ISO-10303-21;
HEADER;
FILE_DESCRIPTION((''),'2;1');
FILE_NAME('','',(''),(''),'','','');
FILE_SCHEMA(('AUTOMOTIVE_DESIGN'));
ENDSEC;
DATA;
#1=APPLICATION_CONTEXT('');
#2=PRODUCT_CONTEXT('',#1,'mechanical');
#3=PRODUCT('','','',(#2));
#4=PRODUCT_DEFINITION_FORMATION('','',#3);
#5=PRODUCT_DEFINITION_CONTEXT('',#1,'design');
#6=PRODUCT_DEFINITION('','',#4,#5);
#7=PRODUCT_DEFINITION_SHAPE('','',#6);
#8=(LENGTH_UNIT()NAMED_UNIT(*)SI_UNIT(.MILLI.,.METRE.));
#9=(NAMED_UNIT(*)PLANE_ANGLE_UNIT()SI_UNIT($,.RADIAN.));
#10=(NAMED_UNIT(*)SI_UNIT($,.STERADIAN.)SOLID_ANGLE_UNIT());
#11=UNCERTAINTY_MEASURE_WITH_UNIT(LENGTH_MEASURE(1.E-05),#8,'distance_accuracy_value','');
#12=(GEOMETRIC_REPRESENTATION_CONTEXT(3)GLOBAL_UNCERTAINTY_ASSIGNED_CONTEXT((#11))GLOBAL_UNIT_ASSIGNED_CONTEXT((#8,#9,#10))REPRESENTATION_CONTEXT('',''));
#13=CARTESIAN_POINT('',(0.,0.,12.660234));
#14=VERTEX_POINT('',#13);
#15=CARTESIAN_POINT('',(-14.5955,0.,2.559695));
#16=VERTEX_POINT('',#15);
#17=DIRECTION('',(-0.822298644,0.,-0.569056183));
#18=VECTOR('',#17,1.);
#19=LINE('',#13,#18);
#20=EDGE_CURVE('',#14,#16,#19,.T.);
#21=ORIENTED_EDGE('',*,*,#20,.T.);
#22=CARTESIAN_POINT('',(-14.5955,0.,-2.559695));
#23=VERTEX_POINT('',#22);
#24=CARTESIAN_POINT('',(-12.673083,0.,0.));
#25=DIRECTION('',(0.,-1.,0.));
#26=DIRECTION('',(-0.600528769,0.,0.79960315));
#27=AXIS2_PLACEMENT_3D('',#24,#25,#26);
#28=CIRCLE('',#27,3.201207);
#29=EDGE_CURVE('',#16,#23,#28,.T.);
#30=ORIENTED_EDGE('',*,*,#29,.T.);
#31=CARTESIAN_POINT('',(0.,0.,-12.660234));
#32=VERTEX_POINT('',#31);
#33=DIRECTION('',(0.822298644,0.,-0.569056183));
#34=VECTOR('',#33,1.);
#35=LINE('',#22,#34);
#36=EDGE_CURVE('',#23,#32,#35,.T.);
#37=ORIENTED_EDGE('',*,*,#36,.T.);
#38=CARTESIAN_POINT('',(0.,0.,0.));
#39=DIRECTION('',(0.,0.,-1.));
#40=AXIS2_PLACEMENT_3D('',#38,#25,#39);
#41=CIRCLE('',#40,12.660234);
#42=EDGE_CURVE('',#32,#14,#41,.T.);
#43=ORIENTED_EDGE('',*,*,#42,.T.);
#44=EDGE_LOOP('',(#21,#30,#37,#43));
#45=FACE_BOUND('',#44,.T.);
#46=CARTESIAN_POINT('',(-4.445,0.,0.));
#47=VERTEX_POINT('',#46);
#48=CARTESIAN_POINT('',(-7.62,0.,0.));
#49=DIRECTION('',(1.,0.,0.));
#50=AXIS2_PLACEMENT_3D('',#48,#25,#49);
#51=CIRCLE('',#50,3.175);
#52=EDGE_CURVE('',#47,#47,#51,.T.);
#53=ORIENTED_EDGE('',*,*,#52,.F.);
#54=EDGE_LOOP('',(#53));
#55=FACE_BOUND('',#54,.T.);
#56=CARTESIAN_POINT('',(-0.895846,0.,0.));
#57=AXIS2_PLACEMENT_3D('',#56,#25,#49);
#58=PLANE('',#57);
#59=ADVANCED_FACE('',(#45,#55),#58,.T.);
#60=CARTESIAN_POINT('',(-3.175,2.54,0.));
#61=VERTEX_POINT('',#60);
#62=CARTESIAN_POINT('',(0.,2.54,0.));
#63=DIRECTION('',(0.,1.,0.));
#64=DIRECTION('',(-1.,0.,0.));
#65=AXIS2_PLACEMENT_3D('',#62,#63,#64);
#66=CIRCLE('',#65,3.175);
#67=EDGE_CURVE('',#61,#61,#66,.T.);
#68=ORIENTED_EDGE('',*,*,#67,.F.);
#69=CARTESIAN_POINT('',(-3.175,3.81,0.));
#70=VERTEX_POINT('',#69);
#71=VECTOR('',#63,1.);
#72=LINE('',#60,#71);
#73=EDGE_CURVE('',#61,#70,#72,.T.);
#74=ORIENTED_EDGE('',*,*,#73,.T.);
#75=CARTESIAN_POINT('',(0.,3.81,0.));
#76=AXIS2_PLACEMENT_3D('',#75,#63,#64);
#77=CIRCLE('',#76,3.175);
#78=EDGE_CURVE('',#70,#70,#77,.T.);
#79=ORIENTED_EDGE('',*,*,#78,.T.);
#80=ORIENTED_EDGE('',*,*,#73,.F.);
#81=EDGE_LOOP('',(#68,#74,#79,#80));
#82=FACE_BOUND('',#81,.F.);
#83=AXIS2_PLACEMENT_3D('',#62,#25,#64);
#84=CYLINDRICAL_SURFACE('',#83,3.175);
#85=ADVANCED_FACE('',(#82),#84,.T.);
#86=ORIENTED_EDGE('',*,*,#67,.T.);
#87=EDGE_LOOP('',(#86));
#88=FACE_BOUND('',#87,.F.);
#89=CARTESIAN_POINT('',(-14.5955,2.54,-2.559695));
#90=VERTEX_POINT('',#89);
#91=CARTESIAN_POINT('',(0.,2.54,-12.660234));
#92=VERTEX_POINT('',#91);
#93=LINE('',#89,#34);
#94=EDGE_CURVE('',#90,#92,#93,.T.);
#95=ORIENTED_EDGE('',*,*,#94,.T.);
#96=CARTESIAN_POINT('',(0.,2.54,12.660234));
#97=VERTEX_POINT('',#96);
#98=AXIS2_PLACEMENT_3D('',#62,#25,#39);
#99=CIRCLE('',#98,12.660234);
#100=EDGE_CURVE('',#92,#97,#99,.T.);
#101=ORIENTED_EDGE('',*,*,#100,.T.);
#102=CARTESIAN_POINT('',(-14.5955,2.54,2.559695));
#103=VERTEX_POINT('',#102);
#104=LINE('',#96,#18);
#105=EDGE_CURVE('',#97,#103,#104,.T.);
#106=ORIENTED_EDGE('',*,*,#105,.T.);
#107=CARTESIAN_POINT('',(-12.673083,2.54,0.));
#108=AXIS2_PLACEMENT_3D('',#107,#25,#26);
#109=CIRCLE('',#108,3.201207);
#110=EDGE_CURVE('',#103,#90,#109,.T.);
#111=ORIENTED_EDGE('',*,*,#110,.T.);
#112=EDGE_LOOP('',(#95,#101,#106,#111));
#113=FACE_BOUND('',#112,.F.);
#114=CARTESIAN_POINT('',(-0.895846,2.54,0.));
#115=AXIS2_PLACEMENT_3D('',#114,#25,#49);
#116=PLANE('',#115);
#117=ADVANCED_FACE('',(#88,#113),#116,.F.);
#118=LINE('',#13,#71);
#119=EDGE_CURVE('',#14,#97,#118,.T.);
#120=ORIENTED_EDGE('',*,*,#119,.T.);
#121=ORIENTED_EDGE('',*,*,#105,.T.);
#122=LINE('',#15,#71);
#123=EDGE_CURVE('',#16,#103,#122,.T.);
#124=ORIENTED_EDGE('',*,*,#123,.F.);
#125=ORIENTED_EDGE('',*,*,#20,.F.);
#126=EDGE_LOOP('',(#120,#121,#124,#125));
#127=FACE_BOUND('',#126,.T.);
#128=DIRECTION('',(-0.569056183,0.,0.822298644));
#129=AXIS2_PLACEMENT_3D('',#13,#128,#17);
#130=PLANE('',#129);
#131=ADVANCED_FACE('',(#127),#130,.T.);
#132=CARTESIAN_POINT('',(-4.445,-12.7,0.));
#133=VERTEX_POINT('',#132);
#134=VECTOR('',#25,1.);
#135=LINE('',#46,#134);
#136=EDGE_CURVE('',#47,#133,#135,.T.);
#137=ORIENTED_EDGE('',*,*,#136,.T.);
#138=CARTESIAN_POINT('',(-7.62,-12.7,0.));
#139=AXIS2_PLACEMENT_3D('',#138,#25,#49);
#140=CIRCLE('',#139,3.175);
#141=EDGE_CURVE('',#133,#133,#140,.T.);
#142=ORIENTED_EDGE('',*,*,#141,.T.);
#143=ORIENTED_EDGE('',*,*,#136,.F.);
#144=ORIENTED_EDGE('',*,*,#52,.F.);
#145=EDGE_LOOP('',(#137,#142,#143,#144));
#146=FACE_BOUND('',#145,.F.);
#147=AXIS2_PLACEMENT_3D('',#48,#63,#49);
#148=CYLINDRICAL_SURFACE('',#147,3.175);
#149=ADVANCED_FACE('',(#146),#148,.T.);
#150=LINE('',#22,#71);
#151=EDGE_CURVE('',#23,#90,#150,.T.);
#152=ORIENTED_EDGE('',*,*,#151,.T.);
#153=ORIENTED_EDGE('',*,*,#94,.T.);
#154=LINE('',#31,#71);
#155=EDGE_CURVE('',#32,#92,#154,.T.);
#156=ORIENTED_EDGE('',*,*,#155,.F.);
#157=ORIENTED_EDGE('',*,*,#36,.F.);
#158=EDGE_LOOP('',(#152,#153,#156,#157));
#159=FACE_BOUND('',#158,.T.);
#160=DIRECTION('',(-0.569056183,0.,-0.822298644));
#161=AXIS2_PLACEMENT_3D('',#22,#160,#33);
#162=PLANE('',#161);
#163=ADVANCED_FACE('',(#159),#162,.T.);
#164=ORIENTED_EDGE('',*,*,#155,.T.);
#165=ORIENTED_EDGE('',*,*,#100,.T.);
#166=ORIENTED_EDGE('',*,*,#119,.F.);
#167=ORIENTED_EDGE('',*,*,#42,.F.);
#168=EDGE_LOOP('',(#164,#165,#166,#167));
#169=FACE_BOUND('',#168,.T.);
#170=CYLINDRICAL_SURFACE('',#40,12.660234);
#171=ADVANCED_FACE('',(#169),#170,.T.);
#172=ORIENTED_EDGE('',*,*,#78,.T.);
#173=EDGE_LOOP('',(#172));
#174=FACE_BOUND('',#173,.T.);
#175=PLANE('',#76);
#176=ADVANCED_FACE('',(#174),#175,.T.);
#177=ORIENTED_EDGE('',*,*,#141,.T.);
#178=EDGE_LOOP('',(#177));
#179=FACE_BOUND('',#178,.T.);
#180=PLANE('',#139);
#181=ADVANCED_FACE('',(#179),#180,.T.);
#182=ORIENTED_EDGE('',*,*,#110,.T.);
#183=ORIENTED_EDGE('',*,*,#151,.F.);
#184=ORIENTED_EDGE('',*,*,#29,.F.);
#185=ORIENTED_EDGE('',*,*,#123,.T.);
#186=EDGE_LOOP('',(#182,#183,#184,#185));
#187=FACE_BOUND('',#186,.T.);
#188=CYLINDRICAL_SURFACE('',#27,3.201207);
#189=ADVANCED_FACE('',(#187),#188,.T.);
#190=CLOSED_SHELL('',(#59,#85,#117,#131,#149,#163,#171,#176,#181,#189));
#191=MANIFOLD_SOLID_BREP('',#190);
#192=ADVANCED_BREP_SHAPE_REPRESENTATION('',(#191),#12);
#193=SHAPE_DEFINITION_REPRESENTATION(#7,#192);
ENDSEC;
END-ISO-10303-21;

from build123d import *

# Parameters (mm, degrees)
F1_R     = 3.175
F2_DEPTH = 12.7
F4_DEPTH = 2.54
F5_R     = 3.175
F6_DEPTH = 1.27


with BuildPart() as f2:
    # F1 (on Front) → F2 (new body)
    with BuildSketch(Plane.XZ):
        with Locations((-7.62, 0)):
            Circle(F1_R)
    extrude(amount=F2_DEPTH)

    # F3 (on Front) → F4 (join)
    with BuildSketch(Plane.XZ):
        with BuildLine():
            Line((-14.5955, -2.559695), (0, -12.660234))
            ThreePointArc((0, -12.660234), (12.660234, 0), (0, 12.660234))
            Line((0, 12.660234), (-14.5955, 2.559695))
            ThreePointArc((-14.5955, 2.559695), (-15.87429, 0), (-14.5955, -2.559695))
        make_face()
    extrude(amount=-F4_DEPTH)

    # F5 (on face) → F6 (join)
    with BuildSketch(Plane(origin=(0, 2.54, 0), x_dir=(-1, 0, 0), z_dir=(0, 1, 0))):
        Circle(F5_R)
    extrude(amount=F6_DEPTH)


solid = f2.part
